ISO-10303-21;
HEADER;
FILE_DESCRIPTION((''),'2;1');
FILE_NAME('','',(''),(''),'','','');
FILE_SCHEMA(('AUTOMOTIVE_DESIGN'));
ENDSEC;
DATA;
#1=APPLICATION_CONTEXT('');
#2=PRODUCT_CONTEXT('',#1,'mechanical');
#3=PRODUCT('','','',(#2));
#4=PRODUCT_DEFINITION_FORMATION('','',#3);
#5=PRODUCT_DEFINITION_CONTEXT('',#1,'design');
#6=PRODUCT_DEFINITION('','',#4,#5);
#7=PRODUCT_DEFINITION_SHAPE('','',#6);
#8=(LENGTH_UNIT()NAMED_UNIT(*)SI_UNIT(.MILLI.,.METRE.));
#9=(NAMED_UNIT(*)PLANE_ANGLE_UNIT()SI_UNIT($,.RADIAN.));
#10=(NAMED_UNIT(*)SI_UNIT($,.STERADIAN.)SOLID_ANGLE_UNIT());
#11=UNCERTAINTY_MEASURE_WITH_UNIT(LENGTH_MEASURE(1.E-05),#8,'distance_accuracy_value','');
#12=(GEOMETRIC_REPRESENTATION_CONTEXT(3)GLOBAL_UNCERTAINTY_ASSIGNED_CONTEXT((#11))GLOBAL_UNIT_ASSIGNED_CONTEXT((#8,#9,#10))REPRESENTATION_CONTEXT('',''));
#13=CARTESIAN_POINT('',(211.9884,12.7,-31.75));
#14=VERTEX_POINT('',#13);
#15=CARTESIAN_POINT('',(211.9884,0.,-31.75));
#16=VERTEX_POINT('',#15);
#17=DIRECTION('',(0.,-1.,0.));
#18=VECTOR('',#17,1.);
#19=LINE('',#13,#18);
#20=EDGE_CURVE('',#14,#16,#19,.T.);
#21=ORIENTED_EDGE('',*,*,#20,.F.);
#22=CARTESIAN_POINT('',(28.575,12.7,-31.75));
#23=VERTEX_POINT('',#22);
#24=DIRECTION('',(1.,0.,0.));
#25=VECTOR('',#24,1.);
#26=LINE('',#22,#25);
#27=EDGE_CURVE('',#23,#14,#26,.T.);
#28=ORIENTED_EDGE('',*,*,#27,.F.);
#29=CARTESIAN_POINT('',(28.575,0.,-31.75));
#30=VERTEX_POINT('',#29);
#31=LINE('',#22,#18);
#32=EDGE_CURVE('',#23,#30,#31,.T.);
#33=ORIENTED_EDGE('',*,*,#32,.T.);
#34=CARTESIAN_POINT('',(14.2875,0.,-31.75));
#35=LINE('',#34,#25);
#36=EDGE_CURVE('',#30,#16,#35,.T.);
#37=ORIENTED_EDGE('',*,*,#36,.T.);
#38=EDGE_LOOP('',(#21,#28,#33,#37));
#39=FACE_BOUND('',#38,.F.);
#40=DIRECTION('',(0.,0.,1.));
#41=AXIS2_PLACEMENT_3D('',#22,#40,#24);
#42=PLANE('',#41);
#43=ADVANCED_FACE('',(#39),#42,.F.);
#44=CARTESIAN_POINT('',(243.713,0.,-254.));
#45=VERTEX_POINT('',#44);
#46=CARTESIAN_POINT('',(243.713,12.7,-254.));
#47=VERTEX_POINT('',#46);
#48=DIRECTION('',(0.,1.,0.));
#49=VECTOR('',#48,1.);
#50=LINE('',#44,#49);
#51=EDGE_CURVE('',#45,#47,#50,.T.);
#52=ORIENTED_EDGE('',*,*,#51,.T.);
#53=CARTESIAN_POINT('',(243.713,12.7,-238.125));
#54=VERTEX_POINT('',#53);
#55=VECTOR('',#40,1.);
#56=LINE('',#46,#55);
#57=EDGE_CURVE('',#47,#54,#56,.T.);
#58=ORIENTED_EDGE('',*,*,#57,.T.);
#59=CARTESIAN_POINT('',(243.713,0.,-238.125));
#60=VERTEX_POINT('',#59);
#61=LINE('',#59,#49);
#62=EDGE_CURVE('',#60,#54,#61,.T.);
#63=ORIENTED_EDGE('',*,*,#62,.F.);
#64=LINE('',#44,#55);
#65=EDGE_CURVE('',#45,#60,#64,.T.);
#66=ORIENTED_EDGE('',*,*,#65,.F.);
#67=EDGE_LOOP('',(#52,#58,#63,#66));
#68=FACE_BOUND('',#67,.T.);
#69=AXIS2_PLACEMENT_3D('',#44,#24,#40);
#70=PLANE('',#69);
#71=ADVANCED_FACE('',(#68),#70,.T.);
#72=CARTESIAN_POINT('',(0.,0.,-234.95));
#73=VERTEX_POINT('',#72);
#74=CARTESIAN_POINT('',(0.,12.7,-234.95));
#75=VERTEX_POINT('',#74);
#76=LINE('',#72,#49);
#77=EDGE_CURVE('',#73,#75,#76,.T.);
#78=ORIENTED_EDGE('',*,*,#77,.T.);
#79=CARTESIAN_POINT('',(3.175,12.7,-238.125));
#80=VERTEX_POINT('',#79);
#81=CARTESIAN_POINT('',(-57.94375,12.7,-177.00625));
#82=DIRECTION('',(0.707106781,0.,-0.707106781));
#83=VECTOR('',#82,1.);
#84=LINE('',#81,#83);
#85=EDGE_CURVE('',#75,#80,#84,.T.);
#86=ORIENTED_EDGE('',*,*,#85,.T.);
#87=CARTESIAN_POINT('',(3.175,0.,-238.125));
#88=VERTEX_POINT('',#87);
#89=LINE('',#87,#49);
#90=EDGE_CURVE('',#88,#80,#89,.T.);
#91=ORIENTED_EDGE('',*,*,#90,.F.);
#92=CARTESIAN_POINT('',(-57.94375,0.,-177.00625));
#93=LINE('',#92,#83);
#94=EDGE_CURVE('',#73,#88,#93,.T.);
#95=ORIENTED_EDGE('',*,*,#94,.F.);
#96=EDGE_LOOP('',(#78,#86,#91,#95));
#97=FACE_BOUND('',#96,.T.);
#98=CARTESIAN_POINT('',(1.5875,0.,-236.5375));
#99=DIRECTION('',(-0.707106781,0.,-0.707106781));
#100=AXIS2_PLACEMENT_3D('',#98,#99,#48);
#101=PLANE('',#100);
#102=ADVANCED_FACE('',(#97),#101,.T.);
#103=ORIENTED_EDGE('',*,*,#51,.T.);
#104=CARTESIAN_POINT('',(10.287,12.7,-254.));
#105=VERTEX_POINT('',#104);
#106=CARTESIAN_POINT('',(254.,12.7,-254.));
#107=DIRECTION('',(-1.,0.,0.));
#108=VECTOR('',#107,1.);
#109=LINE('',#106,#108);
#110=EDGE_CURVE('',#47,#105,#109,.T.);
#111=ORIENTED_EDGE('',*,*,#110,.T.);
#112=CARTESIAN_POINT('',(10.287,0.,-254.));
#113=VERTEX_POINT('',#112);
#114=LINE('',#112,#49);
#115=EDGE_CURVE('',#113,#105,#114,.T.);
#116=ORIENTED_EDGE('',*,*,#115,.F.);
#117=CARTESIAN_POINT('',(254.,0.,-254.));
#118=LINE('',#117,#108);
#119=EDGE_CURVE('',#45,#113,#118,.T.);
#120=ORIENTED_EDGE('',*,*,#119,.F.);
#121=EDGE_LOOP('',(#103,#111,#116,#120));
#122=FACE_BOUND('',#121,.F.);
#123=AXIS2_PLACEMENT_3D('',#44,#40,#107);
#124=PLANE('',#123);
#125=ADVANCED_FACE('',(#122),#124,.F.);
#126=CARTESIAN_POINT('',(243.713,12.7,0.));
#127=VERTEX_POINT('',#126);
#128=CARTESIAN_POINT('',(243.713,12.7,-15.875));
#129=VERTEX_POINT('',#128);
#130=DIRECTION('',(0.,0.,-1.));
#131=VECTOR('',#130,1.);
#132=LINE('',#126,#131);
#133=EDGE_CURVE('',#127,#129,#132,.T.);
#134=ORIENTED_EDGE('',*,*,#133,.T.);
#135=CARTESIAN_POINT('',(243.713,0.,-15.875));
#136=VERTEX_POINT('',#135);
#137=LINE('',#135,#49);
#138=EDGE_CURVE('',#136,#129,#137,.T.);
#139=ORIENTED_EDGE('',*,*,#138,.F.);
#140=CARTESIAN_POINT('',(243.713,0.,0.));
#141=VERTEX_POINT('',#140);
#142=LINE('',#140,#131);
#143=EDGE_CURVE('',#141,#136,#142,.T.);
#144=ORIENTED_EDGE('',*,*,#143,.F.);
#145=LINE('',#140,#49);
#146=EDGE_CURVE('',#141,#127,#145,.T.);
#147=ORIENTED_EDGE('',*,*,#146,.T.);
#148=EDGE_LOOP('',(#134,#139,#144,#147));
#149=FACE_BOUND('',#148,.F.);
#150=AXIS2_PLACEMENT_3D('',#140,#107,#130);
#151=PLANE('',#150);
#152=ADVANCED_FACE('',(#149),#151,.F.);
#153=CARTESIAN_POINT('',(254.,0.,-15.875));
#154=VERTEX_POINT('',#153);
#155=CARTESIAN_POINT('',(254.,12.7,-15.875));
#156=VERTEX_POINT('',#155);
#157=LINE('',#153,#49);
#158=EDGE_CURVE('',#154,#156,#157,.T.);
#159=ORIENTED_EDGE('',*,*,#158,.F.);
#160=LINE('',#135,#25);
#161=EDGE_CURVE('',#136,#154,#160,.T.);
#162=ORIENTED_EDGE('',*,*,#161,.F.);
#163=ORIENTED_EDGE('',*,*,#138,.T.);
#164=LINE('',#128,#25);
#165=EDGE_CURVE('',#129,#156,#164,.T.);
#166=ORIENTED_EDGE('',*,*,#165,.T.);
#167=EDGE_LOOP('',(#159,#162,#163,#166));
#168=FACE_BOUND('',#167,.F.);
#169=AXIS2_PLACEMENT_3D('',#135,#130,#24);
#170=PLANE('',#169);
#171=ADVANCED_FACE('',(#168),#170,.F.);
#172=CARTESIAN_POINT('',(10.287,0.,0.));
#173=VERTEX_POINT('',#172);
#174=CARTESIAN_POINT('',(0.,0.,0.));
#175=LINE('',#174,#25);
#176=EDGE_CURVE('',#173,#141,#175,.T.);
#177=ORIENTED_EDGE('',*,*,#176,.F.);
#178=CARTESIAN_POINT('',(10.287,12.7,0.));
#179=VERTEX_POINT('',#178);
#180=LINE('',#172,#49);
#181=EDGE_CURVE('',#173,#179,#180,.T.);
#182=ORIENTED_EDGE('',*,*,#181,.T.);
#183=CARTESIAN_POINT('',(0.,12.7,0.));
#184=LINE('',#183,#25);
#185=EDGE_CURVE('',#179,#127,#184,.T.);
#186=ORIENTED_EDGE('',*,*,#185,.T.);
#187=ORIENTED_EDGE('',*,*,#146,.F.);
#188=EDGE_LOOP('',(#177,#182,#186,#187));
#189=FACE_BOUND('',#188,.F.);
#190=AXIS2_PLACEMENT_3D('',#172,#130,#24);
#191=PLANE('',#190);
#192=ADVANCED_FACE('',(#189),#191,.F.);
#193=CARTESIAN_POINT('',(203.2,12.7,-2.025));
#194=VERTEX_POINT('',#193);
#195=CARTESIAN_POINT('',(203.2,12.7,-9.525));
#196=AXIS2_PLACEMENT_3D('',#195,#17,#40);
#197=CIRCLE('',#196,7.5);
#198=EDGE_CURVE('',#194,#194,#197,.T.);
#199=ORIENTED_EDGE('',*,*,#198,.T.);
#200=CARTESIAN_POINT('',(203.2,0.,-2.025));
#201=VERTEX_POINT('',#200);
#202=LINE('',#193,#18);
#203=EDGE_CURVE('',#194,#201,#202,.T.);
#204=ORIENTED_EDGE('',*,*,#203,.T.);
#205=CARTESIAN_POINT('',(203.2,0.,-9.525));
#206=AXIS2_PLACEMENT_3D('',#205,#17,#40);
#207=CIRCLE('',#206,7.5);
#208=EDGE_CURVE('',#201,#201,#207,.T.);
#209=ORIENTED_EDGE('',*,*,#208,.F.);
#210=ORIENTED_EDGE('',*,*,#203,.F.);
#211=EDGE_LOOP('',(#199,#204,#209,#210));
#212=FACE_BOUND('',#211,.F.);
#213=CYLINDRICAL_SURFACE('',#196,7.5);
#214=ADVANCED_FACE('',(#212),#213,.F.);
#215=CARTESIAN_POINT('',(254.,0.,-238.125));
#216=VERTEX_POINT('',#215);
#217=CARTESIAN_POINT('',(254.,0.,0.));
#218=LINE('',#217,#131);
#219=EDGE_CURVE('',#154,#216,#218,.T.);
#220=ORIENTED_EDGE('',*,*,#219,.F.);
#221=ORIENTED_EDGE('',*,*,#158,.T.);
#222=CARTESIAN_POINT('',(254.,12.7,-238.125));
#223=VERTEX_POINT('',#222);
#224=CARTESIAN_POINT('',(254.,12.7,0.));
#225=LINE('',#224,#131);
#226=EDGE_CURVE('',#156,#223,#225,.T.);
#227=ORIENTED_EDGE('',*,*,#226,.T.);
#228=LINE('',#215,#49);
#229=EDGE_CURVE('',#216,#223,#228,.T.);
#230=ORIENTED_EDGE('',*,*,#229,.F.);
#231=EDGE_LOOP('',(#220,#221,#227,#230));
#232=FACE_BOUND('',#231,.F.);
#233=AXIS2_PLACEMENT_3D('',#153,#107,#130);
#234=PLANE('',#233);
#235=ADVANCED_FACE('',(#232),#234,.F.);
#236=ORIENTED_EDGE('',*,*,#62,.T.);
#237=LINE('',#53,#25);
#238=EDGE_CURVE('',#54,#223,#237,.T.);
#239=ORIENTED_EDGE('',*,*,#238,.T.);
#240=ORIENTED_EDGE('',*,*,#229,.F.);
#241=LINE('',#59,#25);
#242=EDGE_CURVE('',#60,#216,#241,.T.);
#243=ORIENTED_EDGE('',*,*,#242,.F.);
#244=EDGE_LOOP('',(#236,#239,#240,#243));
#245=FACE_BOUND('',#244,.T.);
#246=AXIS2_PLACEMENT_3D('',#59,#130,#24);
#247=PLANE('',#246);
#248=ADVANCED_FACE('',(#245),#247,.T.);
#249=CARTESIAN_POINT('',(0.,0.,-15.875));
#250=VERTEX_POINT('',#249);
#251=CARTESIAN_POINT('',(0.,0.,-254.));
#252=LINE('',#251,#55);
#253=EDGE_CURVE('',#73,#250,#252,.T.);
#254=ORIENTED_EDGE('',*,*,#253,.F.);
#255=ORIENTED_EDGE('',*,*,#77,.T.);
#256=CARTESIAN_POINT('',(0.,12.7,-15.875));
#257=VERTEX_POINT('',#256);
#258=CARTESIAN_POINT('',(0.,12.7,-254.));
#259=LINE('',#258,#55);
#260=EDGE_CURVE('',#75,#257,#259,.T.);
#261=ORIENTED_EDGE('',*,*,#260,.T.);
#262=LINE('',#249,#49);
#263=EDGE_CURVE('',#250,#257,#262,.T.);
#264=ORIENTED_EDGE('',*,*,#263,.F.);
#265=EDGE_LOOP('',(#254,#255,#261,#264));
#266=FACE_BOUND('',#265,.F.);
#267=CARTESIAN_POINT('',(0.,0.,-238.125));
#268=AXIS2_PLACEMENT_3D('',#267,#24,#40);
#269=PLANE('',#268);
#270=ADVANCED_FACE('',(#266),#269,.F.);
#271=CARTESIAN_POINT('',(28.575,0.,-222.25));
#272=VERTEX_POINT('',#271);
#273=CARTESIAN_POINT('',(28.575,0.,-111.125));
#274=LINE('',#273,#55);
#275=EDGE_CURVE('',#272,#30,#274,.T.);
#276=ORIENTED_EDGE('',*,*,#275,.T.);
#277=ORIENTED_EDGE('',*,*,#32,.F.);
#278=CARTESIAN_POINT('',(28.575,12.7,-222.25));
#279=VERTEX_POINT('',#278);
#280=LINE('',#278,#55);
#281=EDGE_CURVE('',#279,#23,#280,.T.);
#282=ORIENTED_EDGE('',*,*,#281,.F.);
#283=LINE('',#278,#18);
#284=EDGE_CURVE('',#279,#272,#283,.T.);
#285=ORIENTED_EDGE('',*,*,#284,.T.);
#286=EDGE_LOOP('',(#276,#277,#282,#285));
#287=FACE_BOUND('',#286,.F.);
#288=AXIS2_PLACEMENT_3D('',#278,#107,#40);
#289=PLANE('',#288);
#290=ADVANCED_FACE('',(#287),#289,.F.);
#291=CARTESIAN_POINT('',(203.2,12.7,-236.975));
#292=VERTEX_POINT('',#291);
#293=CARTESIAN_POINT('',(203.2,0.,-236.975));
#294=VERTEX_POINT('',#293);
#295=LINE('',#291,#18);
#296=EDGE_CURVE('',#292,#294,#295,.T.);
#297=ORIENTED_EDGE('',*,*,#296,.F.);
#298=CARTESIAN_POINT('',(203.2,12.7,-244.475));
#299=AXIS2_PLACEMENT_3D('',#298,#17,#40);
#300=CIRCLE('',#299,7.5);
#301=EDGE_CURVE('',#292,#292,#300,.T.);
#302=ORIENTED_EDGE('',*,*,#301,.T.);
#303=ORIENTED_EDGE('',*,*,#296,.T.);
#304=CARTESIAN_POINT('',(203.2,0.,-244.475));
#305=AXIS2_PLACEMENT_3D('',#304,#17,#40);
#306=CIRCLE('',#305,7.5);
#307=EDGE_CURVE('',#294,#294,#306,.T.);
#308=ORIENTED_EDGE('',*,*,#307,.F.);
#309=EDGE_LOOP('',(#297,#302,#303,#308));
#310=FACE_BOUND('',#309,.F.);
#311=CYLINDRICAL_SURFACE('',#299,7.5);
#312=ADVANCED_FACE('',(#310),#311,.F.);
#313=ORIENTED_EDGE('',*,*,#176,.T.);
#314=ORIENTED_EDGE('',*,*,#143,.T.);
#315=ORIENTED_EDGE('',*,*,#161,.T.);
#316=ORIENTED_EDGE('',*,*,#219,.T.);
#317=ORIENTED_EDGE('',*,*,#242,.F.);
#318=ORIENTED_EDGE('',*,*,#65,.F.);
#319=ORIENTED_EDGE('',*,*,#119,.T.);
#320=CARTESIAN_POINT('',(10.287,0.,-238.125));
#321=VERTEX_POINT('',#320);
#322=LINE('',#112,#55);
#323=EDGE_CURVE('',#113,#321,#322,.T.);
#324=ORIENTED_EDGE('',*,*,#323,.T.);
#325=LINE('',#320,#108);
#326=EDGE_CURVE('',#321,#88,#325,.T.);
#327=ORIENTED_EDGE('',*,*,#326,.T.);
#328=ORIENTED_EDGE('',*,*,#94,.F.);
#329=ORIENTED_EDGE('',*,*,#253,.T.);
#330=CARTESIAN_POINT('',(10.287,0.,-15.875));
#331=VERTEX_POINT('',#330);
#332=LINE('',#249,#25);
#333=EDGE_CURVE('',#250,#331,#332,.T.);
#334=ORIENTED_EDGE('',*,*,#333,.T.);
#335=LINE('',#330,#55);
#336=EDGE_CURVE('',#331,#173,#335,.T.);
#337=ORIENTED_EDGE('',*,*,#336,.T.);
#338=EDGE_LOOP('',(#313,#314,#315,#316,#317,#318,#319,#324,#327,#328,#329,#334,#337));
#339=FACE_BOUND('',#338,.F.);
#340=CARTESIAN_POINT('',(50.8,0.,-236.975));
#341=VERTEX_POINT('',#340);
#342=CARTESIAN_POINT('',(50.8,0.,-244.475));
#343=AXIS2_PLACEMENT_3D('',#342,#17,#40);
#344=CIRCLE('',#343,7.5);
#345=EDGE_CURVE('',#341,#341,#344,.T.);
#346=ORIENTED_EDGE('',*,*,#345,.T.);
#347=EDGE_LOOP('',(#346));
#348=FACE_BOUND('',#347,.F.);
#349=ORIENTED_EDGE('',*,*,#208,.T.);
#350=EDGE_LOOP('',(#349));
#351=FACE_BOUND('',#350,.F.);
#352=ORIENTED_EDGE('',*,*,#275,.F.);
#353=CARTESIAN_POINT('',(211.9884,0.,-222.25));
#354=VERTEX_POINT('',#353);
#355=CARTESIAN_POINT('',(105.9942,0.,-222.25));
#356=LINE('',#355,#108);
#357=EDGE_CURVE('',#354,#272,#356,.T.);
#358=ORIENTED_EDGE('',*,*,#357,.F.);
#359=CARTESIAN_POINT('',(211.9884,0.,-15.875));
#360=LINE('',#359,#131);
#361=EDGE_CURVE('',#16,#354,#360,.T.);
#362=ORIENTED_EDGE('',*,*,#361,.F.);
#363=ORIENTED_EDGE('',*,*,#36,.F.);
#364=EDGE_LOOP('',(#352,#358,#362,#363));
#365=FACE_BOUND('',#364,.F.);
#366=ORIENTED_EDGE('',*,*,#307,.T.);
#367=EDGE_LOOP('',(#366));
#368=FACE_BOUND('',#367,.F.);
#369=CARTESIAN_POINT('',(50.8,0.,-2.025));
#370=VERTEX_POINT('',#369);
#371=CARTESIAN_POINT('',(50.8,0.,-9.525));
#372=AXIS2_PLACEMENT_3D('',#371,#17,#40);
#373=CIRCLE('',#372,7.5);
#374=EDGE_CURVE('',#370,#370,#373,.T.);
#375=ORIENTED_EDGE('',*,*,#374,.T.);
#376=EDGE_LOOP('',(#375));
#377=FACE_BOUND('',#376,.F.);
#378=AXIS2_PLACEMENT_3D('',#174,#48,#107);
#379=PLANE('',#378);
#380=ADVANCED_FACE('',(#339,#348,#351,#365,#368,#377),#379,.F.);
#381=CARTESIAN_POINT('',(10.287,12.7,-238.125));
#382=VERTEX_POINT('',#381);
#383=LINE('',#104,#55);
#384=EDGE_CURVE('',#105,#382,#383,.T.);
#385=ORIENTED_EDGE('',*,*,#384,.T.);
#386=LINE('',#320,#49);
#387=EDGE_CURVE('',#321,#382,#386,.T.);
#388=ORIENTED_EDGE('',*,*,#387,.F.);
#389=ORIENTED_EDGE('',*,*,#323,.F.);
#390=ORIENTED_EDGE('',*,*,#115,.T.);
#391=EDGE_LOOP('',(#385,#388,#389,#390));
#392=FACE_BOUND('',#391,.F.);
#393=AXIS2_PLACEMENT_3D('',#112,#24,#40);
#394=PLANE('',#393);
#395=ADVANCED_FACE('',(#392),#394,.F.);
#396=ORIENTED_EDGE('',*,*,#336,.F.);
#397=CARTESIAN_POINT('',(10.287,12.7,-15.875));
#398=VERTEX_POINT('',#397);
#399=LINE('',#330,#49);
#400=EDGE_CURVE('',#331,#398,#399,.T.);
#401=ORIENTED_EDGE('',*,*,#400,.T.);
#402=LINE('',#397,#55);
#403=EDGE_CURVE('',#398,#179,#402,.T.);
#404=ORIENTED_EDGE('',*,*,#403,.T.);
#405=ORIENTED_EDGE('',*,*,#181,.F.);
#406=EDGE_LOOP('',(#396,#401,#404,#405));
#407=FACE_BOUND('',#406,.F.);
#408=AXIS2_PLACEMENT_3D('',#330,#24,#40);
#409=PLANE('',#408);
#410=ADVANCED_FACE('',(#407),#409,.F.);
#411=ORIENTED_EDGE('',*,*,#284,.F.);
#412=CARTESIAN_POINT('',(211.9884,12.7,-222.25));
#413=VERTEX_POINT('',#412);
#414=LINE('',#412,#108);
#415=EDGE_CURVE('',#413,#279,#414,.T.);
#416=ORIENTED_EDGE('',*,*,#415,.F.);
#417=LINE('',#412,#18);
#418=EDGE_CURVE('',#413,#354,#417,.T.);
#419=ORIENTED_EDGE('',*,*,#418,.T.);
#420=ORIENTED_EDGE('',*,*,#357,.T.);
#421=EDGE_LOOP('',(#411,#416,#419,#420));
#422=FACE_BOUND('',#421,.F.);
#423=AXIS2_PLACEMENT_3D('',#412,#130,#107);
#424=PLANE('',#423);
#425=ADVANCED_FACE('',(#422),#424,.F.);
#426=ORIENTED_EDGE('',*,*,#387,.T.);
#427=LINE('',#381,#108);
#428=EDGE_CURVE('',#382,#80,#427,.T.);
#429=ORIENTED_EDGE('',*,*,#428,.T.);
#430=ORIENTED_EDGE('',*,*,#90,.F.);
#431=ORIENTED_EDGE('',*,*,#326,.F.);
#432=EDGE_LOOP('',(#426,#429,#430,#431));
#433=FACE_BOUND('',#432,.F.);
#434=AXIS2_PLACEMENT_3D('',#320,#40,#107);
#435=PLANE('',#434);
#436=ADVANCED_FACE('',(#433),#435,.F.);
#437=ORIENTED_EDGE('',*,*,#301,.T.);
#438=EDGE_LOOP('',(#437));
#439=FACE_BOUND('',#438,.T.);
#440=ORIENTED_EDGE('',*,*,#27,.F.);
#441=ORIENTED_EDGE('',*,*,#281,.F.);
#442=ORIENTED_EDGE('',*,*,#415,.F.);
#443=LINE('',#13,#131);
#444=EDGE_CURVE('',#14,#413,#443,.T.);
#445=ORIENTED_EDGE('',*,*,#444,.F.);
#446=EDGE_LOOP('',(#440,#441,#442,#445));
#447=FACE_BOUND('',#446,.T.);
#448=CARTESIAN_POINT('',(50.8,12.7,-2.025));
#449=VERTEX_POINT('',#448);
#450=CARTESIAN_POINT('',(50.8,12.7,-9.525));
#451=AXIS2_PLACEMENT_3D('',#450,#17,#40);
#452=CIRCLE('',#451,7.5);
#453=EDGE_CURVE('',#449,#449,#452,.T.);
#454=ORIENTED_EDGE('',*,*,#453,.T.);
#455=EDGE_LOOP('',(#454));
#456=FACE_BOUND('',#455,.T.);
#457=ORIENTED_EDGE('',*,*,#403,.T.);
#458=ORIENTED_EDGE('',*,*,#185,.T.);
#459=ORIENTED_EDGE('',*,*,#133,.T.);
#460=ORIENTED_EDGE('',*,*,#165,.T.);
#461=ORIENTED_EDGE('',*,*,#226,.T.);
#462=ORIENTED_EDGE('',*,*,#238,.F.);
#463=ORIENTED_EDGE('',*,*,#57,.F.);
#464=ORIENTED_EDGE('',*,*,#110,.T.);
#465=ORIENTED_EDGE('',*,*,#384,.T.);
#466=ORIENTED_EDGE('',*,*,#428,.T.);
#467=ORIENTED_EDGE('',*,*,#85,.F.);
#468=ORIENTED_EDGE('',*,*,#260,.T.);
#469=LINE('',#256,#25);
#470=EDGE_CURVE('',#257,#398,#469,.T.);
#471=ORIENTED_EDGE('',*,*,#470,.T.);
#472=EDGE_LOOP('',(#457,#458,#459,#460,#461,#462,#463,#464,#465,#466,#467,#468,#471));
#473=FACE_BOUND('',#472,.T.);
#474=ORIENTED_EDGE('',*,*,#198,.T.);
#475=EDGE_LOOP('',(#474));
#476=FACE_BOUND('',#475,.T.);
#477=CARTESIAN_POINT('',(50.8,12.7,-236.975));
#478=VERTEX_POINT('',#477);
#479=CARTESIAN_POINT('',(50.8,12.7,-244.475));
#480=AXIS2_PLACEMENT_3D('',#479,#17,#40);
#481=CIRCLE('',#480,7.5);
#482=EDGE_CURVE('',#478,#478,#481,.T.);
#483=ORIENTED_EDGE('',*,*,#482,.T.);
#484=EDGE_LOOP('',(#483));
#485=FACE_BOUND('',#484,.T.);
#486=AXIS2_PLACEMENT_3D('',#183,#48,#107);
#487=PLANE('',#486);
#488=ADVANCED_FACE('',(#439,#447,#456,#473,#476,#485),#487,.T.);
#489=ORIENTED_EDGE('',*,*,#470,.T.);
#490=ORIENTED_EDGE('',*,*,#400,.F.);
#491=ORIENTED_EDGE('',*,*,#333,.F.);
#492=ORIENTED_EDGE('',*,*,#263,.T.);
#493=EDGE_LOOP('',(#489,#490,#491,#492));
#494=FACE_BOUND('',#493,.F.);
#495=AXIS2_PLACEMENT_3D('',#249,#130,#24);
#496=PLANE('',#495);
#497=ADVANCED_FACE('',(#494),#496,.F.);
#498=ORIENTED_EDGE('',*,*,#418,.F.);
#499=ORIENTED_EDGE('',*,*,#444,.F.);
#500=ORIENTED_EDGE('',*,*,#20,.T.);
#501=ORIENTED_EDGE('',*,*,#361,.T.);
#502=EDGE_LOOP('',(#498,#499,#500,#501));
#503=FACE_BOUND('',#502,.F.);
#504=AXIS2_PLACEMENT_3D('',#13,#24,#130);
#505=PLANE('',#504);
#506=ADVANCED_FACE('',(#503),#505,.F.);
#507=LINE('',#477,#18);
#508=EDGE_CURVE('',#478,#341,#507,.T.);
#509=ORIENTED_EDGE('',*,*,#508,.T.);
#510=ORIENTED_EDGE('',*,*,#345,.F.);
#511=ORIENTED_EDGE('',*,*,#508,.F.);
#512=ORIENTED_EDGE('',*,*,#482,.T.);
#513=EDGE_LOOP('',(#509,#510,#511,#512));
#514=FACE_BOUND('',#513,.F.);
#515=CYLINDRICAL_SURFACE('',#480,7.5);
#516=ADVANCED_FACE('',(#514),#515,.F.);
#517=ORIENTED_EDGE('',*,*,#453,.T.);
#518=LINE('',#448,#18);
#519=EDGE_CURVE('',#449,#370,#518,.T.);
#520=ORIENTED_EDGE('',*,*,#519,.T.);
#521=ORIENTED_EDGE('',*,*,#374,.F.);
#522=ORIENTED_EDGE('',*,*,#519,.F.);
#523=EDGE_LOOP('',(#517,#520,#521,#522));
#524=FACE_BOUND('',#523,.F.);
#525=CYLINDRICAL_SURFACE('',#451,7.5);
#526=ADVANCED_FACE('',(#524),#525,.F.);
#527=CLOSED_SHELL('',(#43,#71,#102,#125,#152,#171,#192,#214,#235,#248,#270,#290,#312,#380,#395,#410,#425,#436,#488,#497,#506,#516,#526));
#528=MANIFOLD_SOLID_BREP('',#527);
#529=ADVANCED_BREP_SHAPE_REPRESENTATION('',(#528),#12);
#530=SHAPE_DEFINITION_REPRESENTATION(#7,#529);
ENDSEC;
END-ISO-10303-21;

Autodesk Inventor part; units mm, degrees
ref_plane "YZ Plane" through (0, 0, 0) normal (1, 0, 0) x (0, 1, 0)
ref_plane "XZ Plane" through (0, 0, 0) normal (0, 1, 0) x (-1, 0, 0)
ref_plane "XY Plane" through (0, 0, 0) normal (0, 0, 1) x (1, 0, 0)
sketch "Sketch1" plane through (0, 0, 0) normal (0, 1, 0) x (-1, 0, 0)
  line L0 (0, 0) -> (-254, 0)
  line L1 (-254, 0) -> (-254, -254)
  line L2 (-254, -254) -> (0, -254)
  line L3 (0, -254) -> (0, 0)
  line L4 (0, -15.875) -> (-10.287, -15.875)
  line L5 (-10.287, -15.875) -> (-10.287, 0)
  line L6 (-243.713, 0) -> (-243.713, -15.875)
  line L7 (-243.713, -15.875) -> (-254, -15.875)
  line L8 (-243.713, -254) -> (-243.713, -238.125)
  line L9 (-243.713, -238.125) -> (-254, -238.125)
  line L10 (-10.287, -254) -> (-10.287, -238.125)
  line L11 (-10.287, -238.125) -> (0, -238.125)
  dimension "d0" = 254
  dimension "d1" = 254
  dimension "d13" = 10.287
  dimension "d14" = 10.287
  dimension "d15" = 15.875
  dimension "d16" = 15.875
extrude "Extrusion1" add sketch "Sketch1" along normal blind 12.7 contours L5 L4 L3 L11 L10 L2 L8 L9 L1 L7 L6 L0
sketch "Sketch2" plane through (0, 12.7, 0) normal (0, 1, 0) x (1, 0, 0)
  line L0 (28.575, 31.75) -> (211.9884, 31.75)
  line L1 (211.9884, 31.75) -> (211.9884, 222.25)
  line L2 (211.9884, 222.25) -> (28.575, 222.25)
  line L3 (28.575, 222.25) -> (28.575, 31.75)
  line L4 (0, 15.875) -> (10.287, 15.875) projected
  line L5 (10.287, 15.875) -> (10.287, 0) projected
  line L6 (10.287, 0) -> (243.713, 0) projected
  line L7 (243.713, 0) -> (243.713, 15.875) projected
  line L8 (243.713, 15.875) -> (254, 15.875) projected
  line L9 (254, 15.875) -> (254, 238.125) projected
  line L10 (254, 238.125) -> (243.713, 238.125) projected
  line L11 (243.713, 238.125) -> (243.713, 254) projected
  line L12 (243.713, 254) -> (10.287, 254) projected
  line L13 (10.287, 254) -> (10.287, 238.125) projected
  line L14 (10.287, 238.125) -> (0, 238.125) projected
  line L15 (0, 238.125) -> (0, 15.875) projected
  point P0 (0, 0)
  point P1 (127, 0)
  point P2 (28.575, 127)
  point P3 (0, 127)
  dimension "d9" = 190.5
  dimension "d29" = 28.575
  dimension "d30" = 42.0116
extrude "Extrusion2" cut sketch "Sketch2" against normal through all contours L3 L2 L1 L0
sketch "Sketch3" plane through (0, 12.7, 0) normal (0, 1, 0) x (1, 0, 0)
  circle A0 centre (50.8, 9.525) radius 7.5 projected
  circle A1 centre (50.8, 244.475) radius 7.5 projected
  circle A2 centre (203.2, 244.475) radius 4 projected
  circle A3 centre (203.2, 244.475) radius 7.5 projected
  circle A4 centre (203.2, 9.525) radius 7.5 projected
  point P0 (0, 0)
hole "Hole1" at (50.8, 12.7, -9.525) at (50.8, 12.7, -244.475) at (203.2, 12.7, -9.525) at (203.2, 12.7, -244.475) direction (0, -1, 0) diameter 15 end through all
chamfer "Chamfer1" distance 3.175 angle 45 1 edges at (0, 6.35, -238.125)
equation "\"d14\" = d13"
properties part number "Carriage Sheet"
